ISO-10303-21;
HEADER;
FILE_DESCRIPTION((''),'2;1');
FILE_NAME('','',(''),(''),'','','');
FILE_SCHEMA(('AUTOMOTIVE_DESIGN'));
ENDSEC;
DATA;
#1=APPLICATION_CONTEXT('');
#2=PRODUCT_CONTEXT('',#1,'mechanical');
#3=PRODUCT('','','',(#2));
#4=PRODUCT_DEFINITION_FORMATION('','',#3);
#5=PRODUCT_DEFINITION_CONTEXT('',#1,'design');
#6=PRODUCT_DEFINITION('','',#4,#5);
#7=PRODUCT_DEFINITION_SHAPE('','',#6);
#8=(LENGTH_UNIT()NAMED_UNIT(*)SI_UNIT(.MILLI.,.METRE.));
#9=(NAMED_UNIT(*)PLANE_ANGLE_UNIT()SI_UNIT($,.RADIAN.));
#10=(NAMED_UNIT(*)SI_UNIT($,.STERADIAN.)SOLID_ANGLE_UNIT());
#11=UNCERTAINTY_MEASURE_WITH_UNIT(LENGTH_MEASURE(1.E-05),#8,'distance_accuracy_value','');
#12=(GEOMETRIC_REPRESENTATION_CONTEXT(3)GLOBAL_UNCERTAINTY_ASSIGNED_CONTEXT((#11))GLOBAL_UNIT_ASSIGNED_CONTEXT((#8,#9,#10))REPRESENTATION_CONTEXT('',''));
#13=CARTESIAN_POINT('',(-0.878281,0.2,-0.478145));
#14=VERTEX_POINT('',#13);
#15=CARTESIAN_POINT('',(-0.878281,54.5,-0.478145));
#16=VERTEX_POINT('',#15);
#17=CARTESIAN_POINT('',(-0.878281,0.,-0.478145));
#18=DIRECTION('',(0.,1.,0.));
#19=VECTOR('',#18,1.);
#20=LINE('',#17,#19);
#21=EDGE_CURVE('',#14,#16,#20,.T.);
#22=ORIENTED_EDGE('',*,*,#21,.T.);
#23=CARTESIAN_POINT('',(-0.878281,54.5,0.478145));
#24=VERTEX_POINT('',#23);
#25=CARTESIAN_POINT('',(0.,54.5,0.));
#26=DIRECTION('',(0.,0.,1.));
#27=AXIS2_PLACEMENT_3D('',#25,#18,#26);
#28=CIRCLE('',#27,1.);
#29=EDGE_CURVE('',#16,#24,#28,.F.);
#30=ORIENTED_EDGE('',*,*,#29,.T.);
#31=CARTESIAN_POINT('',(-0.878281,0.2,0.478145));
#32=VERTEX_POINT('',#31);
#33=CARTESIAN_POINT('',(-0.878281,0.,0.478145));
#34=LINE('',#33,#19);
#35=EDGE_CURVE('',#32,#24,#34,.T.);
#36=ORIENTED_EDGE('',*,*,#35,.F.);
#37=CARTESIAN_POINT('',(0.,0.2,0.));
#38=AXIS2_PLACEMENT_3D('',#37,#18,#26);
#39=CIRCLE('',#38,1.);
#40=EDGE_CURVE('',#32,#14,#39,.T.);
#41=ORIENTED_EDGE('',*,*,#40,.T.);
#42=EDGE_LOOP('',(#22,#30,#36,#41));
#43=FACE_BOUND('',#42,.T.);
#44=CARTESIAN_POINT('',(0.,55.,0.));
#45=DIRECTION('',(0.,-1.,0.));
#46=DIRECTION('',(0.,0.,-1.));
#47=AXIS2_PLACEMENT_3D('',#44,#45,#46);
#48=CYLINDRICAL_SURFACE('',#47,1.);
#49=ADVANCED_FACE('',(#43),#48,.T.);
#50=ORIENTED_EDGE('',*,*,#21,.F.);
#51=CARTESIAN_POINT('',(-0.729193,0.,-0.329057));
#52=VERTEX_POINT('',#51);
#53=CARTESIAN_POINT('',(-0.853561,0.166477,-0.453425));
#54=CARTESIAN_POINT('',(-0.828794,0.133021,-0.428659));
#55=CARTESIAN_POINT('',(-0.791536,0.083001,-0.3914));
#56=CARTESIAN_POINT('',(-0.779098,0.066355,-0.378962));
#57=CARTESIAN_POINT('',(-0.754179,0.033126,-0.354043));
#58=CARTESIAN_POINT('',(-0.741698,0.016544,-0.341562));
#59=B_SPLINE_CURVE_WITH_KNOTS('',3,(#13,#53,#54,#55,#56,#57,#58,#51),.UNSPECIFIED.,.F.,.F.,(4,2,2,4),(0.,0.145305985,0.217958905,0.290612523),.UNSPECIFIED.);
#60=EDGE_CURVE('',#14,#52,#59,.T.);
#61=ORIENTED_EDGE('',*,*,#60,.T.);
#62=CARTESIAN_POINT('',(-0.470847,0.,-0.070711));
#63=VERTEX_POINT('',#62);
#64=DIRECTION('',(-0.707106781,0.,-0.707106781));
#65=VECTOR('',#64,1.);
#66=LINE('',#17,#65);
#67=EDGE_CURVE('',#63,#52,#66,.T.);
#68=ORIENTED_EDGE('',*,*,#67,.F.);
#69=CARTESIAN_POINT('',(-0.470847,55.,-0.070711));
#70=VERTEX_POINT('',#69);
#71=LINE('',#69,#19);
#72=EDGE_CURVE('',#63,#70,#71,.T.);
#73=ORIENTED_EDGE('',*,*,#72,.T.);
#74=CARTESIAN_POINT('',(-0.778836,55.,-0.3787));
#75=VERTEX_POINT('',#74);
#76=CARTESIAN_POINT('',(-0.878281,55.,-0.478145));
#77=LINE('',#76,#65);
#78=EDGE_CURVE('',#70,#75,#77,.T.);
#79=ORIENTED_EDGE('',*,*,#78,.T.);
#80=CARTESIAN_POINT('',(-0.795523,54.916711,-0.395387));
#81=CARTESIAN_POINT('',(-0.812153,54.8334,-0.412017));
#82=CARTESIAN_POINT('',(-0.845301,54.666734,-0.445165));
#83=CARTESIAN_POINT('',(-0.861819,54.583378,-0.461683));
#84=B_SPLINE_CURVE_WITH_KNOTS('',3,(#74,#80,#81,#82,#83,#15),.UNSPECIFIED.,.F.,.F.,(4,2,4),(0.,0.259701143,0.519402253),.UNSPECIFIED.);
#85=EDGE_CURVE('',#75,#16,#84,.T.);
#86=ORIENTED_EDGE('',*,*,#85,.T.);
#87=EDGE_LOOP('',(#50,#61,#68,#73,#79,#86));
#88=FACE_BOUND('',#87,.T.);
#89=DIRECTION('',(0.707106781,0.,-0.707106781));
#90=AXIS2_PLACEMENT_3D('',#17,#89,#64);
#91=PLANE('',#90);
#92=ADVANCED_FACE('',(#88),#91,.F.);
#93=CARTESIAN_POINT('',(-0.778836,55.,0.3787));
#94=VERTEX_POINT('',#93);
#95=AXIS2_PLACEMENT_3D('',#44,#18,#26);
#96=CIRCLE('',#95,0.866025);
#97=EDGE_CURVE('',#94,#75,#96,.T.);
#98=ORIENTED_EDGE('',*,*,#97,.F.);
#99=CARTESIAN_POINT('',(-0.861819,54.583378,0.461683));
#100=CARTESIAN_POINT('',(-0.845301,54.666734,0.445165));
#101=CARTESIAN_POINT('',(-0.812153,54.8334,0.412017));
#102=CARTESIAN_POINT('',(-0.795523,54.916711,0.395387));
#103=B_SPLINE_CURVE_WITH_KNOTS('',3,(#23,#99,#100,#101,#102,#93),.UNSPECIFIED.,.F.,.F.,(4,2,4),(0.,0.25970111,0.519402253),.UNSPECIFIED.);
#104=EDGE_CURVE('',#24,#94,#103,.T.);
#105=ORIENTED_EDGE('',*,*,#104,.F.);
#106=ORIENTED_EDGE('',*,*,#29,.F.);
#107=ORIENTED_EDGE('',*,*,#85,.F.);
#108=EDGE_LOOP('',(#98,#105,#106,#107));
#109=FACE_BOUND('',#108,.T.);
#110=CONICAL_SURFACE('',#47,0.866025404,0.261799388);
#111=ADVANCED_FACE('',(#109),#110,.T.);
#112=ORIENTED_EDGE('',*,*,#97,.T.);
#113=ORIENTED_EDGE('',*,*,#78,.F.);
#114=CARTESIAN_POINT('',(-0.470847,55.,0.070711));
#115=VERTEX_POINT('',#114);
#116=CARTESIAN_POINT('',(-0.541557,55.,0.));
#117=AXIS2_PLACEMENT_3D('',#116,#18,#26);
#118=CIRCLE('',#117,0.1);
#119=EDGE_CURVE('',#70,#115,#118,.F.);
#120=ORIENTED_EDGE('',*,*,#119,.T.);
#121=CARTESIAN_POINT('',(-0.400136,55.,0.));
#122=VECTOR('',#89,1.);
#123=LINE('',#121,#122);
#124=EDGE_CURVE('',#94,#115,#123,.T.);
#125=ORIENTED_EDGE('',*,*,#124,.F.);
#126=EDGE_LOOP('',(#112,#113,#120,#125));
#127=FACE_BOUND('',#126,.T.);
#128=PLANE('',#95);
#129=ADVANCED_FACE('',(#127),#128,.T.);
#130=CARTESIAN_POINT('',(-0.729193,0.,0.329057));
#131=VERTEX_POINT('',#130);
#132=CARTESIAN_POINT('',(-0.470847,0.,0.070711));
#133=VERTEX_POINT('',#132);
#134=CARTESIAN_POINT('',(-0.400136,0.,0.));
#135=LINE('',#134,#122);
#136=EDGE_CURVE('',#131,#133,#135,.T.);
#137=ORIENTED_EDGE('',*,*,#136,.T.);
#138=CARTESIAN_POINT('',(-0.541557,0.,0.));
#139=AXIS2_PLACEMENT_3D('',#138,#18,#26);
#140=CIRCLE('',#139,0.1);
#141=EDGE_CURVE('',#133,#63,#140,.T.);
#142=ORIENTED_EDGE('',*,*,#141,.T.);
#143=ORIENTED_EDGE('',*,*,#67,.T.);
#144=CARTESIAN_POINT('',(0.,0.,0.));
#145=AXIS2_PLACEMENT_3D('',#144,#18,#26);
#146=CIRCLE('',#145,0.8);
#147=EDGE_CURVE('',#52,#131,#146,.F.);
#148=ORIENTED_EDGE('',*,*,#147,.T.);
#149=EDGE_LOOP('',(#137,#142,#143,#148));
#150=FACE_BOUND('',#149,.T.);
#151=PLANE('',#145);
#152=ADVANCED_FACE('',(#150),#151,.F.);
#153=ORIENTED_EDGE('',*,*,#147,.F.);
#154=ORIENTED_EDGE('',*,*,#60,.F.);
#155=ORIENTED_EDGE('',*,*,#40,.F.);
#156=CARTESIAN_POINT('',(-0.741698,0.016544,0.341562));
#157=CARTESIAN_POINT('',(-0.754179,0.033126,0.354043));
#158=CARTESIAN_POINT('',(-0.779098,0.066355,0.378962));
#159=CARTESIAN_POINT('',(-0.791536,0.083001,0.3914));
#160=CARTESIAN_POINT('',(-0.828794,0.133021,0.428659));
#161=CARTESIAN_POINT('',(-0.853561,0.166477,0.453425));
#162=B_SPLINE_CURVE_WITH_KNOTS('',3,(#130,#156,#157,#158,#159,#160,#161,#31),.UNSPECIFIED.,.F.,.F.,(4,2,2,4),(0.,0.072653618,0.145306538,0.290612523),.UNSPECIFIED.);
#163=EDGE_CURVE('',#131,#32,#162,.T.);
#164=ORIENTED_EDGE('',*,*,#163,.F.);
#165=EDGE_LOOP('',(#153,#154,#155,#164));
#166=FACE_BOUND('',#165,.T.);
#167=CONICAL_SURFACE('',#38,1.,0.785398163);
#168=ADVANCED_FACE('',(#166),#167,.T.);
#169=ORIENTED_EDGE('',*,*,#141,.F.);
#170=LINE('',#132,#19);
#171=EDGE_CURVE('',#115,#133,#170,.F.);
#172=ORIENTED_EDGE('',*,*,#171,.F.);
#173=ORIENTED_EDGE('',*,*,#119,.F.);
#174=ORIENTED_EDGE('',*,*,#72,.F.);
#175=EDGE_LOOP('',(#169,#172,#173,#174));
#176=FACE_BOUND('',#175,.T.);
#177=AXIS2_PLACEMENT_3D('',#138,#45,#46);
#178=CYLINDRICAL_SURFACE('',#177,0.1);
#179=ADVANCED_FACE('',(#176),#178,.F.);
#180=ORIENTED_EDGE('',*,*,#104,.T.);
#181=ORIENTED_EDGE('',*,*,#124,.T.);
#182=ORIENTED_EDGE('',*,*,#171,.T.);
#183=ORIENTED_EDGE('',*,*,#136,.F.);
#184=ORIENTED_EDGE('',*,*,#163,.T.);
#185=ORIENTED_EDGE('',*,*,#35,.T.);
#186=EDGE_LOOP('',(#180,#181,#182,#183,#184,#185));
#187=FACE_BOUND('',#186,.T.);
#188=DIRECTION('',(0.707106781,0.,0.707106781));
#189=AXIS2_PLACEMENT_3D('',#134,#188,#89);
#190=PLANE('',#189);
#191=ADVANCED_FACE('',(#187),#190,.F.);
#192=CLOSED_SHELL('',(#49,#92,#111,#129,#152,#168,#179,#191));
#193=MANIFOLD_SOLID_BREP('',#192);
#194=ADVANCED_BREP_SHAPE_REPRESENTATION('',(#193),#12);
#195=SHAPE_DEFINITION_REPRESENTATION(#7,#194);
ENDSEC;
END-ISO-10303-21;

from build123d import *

# Parameters (mm, degrees)
SKETCH1_R           = 1
BOSS_EXTRUDE1_DEPTH = 55
CUT_EXTRUDE1_DEPTH  = 56
FILLET1_R           = 0.1
CHAMFER1_SIZE       = 0.5
CHAMFER1_SIZE2      = 0.133974596
CHAMFER2_SIZE       = 0.2


with BuildPart() as part:
    # Sketch1 → Boss-Extrude1 (new body)
    with BuildSketch(Plane(origin=(0, 0, 0), x_dir=(1, 0, 0), z_dir=(0, 1, 0))):
        Circle(SKETCH1_R)
    extrude(amount=BOSS_EXTRUDE1_DEPTH)

    # Sketch2 → Cut-Extrude1 (cut, through all)
    with BuildSketch(Plane(origin=(0, 55, 0), x_dir=(1, 0, 0), z_dir=(0, 1, 0))):
        with BuildLine():
            Line((-0.878280893, 0.478145033), (-0.40013586, 0))
            Line((-0.40013586, 0), (-0.878280893, -0.478145033))
            ThreePointArc((-0.878280893, -0.478145033), (-1, 0), (-0.878280893, 0.478145033))
        make_face()
    extrude(amount=-CUT_EXTRUDE1_DEPTH, mode=Mode.SUBTRACT)

    # Fillet1
    fillet1_edges = [part.edges().sort_by_distance(p)[0] for p in [
        (-0.40013586, 27.5, 0),
    ]]
    fillet(fillet1_edges, radius=FILLET1_R)

    # Chamfer1
    chamfer1_edges = [part.edges().sort_by_distance(p)[0] for p in [
        (1, 55, 0),
    ]]
    chamfer1_side = [part.faces().sort_by_distance(p)[0] for p in [
        (1, 27.5, 0),
    ]]
    chamfer(chamfer1_edges, length=CHAMFER1_SIZE, length2=CHAMFER1_SIZE2, reference=chamfer1_side[0])

    # Chamfer2
    chamfer2_edges = [part.edges().sort_by_distance(p)[0] for p in [
        (1, 0, 0),
    ]]
    chamfer(chamfer2_edges, length=CHAMFER2_SIZE)


solid = part.part
